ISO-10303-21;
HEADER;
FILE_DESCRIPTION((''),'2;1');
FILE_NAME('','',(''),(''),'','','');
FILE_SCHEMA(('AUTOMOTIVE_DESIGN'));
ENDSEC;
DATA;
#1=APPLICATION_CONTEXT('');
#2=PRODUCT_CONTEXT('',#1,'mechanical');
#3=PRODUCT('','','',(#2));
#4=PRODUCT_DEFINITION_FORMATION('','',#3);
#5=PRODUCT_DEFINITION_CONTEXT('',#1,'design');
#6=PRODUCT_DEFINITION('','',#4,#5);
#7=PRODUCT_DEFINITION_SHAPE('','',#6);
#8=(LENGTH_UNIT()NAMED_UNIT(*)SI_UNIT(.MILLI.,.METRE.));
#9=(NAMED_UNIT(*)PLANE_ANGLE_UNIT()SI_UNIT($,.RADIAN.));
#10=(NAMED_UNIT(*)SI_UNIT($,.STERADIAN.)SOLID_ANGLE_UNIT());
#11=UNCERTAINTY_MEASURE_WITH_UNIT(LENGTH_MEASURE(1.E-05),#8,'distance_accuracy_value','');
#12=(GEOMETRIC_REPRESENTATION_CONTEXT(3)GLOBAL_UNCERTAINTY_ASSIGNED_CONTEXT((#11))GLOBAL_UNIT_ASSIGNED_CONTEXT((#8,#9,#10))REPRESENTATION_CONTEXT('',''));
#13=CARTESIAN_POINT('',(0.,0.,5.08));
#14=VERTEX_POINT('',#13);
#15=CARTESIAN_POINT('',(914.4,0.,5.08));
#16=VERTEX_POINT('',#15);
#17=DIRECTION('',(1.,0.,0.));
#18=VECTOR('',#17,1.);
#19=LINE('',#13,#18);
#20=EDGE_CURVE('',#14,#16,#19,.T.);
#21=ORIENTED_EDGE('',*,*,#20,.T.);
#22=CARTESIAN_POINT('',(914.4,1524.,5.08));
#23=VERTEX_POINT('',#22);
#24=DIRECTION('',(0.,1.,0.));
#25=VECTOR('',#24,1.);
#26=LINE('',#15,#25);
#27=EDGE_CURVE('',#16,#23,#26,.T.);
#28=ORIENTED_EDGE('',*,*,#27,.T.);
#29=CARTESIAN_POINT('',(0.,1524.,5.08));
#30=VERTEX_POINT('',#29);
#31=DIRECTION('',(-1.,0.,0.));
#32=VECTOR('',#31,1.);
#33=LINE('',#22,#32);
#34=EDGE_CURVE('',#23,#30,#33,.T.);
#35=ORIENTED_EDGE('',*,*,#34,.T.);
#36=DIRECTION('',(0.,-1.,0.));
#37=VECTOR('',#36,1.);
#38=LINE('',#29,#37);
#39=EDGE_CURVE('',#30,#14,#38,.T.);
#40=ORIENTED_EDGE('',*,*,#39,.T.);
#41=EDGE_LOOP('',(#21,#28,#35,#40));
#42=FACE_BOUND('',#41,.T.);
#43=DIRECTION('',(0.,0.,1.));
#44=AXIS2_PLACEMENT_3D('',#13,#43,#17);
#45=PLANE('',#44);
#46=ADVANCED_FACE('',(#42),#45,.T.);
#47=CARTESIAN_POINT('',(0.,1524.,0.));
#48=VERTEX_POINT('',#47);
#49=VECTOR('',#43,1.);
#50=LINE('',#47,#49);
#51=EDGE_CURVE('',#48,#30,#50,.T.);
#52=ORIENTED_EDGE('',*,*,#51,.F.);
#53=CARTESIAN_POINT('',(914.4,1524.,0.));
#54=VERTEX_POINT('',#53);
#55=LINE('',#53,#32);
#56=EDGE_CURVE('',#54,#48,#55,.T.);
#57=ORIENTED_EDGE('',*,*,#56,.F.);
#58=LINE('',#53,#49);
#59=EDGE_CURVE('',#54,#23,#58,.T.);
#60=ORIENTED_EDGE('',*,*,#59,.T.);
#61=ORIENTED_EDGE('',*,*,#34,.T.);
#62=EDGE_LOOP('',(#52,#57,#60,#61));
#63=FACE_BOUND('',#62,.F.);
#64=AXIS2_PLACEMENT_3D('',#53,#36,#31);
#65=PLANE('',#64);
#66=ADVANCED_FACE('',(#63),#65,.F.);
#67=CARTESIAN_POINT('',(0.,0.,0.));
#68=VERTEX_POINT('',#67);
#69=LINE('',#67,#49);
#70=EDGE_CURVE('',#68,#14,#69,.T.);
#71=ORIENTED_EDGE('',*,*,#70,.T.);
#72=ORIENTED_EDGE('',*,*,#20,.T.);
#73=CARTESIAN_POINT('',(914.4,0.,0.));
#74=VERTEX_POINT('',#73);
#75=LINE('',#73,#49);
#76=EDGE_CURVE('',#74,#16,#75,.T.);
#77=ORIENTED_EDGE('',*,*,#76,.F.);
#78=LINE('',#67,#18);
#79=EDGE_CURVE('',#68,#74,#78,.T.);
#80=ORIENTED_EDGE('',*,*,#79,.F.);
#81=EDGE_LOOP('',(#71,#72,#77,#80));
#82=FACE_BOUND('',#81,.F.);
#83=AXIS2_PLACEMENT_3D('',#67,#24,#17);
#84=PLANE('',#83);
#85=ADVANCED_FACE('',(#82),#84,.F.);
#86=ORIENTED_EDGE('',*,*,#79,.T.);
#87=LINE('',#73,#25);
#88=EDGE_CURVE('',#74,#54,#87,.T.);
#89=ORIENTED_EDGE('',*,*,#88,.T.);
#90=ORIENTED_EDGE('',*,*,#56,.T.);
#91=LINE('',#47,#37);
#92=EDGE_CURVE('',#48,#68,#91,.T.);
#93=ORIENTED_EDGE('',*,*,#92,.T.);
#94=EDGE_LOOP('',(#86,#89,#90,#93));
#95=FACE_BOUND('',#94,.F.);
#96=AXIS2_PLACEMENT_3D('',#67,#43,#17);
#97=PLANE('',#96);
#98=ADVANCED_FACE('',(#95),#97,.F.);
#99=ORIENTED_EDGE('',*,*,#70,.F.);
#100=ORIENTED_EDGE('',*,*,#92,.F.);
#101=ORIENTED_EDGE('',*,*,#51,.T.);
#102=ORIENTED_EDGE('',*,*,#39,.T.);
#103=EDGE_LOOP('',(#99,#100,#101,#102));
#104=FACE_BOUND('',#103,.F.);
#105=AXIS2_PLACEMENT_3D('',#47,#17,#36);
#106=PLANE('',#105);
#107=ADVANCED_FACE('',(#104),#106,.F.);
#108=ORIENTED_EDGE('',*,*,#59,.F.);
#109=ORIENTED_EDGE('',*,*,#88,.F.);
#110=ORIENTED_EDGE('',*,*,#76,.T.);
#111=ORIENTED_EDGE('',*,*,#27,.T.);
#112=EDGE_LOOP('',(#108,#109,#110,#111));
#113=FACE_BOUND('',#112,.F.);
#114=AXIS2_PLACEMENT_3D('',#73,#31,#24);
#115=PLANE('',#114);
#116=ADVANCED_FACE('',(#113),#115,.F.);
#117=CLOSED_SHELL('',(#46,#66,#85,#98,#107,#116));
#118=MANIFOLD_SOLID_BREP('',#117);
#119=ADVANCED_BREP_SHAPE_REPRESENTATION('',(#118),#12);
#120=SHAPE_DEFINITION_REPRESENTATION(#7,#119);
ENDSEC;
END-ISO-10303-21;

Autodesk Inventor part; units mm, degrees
ref_plane "YZ Plane" through (0, 0, 0) normal (1, 0, 0) x (0, 1, 0)
ref_plane "XZ Plane" through (0, 0, 0) normal (0, 1, 0) x (-1, 0, 0)
ref_plane "XY Plane" through (0, 0, 0) normal (0, 0, 1) x (1, 0, 0)
sketch "Sketch1" plane through (0, 0, 0) normal (0, 0, 1) x (1, 0, 0)
  line L0 (0, 0) -> (914.4, 0)
  line L1 (914.4, 0) -> (914.4, 1524)
  line L2 (914.4, 1524) -> (0, 1524)
  line L3 (0, 1524) -> (0, 0)
  dimension "d0" = 914.4
  dimension "d1" = 1524
extrude "Extrusion1" add sketch "Sketch1" along normal blind 5.08
sketch "Sketch2" plane through (0, 0, 5.08) normal (0, 0, 1) x (1, 0, 0)
  line L0 (0, 0) -> (914.4, 0) projected
  line L1 (914.4, 0) -> (914.4, 1524) projected
  line L2 (914.4, 1524) -> (0, 1524) projected
  line L3 (0, 1524) -> (0, 0) projected
  line L4 (131.852, 815.5661) -> (1123.0489, 815.5661) construction
  line L5 (1123.0489, 815.5661) -> (1123.0489, 473.8035) construction
  line L6 (1123.0489, 473.8035) -> (131.852, 473.8035) construction
  line L7 (131.852, 473.8035) -> (131.852, 815.5661) construction
  line L8 (250.4439, 1292.9292) -> (615.6358, 1292.9292) construction
  line L9 (615.6358, 1292.9292) -> (615.6358, 1135.0952) construction
  line L10 (615.6358, 1135.0952) -> (250.4439, 1135.0952) construction
  line L11 (250.4439, 1135.0952) -> (250.4439, 1292.9292) construction
sketch "Sketch3" plane through (0, 0, 5.08) normal (0, 0, 1) x (1, 0, 0)
  line L0 (0, 0) -> (914.4, 0) projected
  line L1 (914.4, 0) -> (914.4, 1524) projected
  line L2 (914.4, 1524) -> (0, 1524) projected
  line L3 (0, 1524) -> (0, 0) projected
  line L4 (258.5063, 325.7377) -> (639.7121, 325.7377) construction
  line L5 (639.7121, 325.7377) -> (639.7121, 193.386) construction
  line L6 (639.7121, 193.386) -> (258.5063, 193.386) construction
  line L7 (258.5063, 193.386) -> (258.5063, 325.7377) construction
  line L8 (1169.6792, 324.1112) -> (1550.885, 324.1112) construction
  line L9 (1550.885, 324.1112) -> (1550.885, 191.7595) construction
  line L10 (1550.885, 191.7595) -> (1169.6792, 191.7595) construction
  line L11 (1169.6792, 191.7595) -> (1169.6792, 324.1112) construction
properties part number "Chairmans Award Banner"
